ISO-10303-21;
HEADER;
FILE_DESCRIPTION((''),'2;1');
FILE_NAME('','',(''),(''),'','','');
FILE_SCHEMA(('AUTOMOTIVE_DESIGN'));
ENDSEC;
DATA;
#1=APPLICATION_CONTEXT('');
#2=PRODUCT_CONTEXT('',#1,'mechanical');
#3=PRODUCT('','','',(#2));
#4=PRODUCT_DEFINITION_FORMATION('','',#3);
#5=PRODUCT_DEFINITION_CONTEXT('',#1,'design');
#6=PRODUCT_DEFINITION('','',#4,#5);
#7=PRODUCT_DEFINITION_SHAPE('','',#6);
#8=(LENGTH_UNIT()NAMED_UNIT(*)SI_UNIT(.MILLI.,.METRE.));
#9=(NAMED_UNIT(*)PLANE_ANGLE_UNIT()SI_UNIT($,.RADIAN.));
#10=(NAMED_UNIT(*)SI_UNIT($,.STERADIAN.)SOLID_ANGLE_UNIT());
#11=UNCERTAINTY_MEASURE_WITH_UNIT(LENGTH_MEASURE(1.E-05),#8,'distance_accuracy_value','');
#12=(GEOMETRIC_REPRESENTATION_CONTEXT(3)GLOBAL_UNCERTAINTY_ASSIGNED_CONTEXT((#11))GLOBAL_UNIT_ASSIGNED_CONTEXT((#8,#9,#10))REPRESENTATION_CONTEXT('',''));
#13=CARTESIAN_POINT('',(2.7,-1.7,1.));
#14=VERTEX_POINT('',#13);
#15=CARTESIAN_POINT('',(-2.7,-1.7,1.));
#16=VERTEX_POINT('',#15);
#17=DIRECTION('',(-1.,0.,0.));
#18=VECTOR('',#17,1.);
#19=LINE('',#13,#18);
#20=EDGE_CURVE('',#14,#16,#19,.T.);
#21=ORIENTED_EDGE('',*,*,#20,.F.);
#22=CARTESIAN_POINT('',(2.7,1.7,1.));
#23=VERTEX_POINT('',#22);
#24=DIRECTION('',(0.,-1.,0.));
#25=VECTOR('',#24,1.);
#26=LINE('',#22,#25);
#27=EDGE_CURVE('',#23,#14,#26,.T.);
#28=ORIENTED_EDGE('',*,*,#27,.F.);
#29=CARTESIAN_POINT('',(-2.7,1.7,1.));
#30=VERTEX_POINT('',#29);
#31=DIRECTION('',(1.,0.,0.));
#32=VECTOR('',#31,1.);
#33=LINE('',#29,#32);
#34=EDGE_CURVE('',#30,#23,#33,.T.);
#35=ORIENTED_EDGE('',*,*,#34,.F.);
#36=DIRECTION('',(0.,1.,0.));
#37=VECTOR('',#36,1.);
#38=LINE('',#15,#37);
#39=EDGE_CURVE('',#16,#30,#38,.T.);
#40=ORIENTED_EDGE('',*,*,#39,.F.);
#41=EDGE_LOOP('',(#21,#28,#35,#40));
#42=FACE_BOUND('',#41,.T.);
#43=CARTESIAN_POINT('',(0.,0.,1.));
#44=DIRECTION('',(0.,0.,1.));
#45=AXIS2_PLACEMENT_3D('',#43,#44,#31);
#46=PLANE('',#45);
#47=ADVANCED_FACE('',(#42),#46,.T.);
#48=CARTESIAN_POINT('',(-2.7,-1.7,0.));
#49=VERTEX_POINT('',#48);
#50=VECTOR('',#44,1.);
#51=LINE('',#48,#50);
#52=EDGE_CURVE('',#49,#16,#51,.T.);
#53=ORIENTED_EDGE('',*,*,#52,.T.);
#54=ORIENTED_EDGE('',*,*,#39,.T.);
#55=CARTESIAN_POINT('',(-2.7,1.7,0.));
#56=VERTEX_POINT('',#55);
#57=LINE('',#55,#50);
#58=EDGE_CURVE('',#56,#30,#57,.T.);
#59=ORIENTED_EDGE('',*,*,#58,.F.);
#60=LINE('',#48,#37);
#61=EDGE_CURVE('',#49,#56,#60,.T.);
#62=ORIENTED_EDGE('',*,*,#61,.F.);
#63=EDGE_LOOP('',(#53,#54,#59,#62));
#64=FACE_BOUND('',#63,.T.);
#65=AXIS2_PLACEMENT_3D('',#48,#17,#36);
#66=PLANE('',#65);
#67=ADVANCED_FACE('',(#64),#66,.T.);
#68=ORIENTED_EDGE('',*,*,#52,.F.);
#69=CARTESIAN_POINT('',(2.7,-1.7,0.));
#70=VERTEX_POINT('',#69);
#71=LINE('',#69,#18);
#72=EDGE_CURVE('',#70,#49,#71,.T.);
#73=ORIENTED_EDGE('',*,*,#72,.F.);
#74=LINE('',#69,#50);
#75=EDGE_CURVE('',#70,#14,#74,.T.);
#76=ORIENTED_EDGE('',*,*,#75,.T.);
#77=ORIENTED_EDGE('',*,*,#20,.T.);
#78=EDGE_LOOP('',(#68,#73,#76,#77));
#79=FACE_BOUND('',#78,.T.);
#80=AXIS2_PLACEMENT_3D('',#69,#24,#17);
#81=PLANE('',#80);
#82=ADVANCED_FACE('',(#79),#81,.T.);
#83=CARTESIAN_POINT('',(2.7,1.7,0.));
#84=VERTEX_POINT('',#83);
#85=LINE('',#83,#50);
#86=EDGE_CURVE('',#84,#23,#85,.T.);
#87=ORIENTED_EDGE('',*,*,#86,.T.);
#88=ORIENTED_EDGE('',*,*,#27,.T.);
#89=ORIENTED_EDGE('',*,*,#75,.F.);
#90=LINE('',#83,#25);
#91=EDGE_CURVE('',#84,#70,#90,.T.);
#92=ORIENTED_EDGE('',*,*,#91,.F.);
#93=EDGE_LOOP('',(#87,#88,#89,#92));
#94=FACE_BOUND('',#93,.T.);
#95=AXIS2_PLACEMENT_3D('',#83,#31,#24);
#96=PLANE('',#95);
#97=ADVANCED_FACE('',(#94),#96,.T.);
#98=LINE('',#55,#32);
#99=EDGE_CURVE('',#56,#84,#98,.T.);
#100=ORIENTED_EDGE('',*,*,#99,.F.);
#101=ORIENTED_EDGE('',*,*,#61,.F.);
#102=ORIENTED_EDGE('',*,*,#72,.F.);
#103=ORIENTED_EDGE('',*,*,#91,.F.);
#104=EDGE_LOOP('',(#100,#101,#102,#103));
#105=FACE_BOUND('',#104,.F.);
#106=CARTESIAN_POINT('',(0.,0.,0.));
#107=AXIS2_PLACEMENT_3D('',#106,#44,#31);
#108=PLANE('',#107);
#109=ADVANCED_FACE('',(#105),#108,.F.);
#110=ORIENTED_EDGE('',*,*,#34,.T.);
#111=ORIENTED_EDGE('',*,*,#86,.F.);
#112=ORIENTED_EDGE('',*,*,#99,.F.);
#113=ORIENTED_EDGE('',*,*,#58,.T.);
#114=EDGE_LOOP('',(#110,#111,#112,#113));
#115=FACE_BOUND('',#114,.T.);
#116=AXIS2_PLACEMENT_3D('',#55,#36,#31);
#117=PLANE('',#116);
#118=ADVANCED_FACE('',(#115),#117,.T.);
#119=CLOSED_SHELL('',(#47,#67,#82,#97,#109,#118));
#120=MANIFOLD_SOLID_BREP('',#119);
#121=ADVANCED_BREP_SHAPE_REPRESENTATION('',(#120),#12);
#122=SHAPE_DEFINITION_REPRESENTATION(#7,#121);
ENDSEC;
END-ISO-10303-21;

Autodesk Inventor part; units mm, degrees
ref_plane "YZ Plane" through (0, 0, 0) normal (1, 0, 0) x (0, 1, 0)
ref_plane "XZ Plane" through (0, 0, 0) normal (0, 1, 0) x (-1, 0, 0)
ref_plane "XY Plane" through (0, 0, 0) normal (0, 0, 1) x (1, 0, 0)
sketch "7A_SMD_XTAL, XTAL_TXC_7A_211" plane through (0, 0, 0) normal (0, 0, 1) x (1, 0, 0)
  line L0 (-2.7, -1.7) -> (-2.7, 1.7)
  line L1 (-2.7, 1.7) -> (2.7, 1.7)
  line L2 (2.7, 1.7) -> (2.7, -1.7)
  line L3 (2.7, -1.7) -> (-2.7, -1.7)
extrude "Extrusion1" add sketch "7A_SMD_XTAL, XTAL_TXC_7A_211" along normal blind 1
properties part number "XTAL_TXC_7A"
